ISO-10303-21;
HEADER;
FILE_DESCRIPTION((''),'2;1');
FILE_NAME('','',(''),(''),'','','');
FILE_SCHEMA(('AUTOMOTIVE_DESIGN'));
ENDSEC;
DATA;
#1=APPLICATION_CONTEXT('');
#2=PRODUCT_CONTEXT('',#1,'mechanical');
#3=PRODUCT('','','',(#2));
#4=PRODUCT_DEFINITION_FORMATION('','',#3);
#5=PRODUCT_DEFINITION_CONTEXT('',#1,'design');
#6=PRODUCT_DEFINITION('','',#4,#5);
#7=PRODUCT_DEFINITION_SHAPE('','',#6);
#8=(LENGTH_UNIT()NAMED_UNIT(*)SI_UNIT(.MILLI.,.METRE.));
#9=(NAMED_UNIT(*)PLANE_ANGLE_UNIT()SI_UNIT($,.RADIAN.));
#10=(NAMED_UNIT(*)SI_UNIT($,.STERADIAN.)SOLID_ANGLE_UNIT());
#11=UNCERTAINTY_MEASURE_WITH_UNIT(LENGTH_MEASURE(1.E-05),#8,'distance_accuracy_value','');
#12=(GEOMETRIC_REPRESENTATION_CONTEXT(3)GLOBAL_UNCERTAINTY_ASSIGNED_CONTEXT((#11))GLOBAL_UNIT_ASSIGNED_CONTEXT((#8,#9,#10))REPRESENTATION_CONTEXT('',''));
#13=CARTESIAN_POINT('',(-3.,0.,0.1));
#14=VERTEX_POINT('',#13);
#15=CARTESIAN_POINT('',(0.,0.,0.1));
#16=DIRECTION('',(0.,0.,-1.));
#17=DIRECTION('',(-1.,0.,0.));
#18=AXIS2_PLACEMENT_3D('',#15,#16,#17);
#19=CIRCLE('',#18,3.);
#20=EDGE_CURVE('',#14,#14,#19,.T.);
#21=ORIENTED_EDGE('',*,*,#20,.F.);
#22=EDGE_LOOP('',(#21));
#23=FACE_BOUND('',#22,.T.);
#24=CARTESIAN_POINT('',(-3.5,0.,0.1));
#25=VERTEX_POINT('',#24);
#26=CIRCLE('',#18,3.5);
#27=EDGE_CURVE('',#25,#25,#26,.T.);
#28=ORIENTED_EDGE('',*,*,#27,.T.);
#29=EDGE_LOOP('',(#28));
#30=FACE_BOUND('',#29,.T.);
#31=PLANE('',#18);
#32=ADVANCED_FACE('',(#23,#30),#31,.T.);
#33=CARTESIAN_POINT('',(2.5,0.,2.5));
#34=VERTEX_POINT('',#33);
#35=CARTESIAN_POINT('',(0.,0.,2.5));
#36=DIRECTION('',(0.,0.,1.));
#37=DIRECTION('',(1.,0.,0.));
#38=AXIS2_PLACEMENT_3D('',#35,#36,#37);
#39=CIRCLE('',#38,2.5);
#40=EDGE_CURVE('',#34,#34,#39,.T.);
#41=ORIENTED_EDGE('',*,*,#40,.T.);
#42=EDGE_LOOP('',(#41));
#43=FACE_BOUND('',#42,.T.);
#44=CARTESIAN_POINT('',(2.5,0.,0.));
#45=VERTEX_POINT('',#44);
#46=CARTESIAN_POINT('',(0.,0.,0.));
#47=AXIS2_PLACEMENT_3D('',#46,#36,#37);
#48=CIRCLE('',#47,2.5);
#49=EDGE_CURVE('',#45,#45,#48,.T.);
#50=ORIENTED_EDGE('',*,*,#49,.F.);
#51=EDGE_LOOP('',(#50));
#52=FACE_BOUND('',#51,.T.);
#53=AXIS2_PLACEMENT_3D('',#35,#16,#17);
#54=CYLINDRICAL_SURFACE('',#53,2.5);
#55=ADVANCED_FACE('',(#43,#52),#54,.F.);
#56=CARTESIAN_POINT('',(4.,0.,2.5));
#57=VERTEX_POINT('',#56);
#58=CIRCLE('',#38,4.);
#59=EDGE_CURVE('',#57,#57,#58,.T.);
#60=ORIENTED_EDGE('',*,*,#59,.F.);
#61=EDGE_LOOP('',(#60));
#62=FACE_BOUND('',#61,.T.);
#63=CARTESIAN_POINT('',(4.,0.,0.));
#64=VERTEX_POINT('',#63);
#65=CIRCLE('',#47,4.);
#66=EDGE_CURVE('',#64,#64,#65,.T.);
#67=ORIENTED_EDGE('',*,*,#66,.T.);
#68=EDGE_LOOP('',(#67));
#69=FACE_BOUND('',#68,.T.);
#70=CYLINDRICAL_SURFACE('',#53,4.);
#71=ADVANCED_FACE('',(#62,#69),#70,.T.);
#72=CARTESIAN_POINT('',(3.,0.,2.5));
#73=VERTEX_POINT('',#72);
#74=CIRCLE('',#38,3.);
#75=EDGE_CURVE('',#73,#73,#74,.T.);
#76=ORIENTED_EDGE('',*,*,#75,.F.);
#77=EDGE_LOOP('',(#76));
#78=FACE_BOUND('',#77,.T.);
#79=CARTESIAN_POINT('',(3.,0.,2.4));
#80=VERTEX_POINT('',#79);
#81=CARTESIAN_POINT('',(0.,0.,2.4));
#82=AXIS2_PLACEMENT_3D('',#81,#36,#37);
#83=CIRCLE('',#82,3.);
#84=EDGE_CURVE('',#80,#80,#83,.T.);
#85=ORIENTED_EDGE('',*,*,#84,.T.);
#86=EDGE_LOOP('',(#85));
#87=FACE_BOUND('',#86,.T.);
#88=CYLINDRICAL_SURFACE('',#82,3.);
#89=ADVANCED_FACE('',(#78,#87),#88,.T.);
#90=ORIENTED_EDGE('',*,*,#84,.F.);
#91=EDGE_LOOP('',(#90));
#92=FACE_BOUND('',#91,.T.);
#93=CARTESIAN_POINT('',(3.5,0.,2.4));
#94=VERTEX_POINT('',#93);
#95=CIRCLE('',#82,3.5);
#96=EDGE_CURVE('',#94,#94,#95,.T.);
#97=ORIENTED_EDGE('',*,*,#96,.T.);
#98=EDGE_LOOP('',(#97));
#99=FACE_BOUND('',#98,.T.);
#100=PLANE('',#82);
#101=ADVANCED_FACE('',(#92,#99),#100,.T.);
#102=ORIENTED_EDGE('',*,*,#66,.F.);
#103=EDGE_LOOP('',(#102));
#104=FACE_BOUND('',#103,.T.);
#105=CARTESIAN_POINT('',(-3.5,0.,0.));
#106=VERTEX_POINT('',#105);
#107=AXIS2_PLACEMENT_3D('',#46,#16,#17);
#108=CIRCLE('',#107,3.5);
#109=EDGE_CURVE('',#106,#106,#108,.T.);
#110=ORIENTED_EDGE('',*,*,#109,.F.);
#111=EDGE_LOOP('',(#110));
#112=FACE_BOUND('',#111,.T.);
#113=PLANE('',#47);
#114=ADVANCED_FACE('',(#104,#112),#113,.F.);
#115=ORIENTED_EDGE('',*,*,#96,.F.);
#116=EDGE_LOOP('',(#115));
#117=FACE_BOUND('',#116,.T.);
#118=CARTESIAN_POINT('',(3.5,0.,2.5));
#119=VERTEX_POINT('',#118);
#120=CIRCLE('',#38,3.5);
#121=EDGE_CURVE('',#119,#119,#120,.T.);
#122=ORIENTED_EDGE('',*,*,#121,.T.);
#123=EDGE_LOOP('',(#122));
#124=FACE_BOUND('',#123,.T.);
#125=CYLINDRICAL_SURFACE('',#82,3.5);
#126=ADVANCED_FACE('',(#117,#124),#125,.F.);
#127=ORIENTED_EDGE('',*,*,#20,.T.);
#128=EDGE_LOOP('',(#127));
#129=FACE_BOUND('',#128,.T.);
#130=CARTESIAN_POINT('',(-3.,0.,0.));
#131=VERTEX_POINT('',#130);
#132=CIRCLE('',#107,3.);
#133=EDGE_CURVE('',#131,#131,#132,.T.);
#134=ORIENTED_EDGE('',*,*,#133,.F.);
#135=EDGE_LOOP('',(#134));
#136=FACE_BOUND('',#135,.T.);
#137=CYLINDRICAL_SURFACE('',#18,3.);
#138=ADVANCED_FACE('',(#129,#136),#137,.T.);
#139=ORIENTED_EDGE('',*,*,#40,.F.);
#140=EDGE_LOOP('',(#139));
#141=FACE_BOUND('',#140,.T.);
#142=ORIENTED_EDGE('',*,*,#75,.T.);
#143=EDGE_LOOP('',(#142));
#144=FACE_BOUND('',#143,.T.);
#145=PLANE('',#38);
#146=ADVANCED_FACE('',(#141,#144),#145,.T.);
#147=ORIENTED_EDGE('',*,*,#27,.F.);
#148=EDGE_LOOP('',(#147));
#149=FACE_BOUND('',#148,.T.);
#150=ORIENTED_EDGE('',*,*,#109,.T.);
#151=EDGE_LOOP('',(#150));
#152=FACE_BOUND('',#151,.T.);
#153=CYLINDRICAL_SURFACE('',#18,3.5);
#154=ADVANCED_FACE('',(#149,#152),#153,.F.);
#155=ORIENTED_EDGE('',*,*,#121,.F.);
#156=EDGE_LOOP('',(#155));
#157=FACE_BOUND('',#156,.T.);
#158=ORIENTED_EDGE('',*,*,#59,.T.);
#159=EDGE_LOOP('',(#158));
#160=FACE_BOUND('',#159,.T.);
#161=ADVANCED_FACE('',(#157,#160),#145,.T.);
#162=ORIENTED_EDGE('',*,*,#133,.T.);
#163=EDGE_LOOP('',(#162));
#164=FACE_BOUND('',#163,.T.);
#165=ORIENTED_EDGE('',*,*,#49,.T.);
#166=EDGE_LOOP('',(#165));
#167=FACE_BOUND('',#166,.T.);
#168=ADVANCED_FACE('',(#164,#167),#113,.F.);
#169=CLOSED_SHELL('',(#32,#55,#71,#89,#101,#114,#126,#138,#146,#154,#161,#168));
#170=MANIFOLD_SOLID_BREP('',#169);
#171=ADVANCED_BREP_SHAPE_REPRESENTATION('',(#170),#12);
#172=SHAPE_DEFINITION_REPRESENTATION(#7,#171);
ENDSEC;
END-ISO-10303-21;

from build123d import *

# Parameters (mm, degrees)
SKETCH1_R           = 4
SKETCH1_R_2         = 2.5
BOSS_EXTRUDE1_DEPTH = 2.5
SKETCH2_R           = 3.5
SKETCH2_R_2         = 3
CUT_EXTRUDE1_DEPTH  = 0.1
CUT_EXTRUDE2_START  = -0.1
SKETCH3_R           = 3.5
SKETCH3_R_2         = 3
CUT_EXTRUDE2_DEPTH  = 0.1


with BuildPart() as part:
    # Sketch1 → Boss-Extrude1 (new body)
    with BuildSketch(Plane.XY):
        Circle(SKETCH1_R)
        Circle(SKETCH1_R_2, mode=Mode.SUBTRACT)
    extrude(amount=BOSS_EXTRUDE1_DEPTH)

    # Sketch2 → Cut-Extrude1 (cut)
    with BuildSketch(Plane(origin=(0, 0, 0), x_dir=(-1, 0, 0), z_dir=(0, 0, -1))):
        Circle(SKETCH2_R)
        Circle(SKETCH2_R_2, mode=Mode.SUBTRACT)
    extrude(amount=-CUT_EXTRUDE1_DEPTH, mode=Mode.SUBTRACT)

    # Sketch3 → Cut-Extrude2 (cut)
    with BuildSketch(Plane.XY.offset(2.5).offset(CUT_EXTRUDE2_START)):
        with Locations(Location((0, 0, 0), (0, 0, 180))):
            Circle(SKETCH3_R)
        with Locations(Location((0, 0, 0), (0, 0, 180))):
            Circle(SKETCH3_R_2, mode=Mode.SUBTRACT)
    extrude(amount=CUT_EXTRUDE2_DEPTH, mode=Mode.SUBTRACT)


solid = part.part
